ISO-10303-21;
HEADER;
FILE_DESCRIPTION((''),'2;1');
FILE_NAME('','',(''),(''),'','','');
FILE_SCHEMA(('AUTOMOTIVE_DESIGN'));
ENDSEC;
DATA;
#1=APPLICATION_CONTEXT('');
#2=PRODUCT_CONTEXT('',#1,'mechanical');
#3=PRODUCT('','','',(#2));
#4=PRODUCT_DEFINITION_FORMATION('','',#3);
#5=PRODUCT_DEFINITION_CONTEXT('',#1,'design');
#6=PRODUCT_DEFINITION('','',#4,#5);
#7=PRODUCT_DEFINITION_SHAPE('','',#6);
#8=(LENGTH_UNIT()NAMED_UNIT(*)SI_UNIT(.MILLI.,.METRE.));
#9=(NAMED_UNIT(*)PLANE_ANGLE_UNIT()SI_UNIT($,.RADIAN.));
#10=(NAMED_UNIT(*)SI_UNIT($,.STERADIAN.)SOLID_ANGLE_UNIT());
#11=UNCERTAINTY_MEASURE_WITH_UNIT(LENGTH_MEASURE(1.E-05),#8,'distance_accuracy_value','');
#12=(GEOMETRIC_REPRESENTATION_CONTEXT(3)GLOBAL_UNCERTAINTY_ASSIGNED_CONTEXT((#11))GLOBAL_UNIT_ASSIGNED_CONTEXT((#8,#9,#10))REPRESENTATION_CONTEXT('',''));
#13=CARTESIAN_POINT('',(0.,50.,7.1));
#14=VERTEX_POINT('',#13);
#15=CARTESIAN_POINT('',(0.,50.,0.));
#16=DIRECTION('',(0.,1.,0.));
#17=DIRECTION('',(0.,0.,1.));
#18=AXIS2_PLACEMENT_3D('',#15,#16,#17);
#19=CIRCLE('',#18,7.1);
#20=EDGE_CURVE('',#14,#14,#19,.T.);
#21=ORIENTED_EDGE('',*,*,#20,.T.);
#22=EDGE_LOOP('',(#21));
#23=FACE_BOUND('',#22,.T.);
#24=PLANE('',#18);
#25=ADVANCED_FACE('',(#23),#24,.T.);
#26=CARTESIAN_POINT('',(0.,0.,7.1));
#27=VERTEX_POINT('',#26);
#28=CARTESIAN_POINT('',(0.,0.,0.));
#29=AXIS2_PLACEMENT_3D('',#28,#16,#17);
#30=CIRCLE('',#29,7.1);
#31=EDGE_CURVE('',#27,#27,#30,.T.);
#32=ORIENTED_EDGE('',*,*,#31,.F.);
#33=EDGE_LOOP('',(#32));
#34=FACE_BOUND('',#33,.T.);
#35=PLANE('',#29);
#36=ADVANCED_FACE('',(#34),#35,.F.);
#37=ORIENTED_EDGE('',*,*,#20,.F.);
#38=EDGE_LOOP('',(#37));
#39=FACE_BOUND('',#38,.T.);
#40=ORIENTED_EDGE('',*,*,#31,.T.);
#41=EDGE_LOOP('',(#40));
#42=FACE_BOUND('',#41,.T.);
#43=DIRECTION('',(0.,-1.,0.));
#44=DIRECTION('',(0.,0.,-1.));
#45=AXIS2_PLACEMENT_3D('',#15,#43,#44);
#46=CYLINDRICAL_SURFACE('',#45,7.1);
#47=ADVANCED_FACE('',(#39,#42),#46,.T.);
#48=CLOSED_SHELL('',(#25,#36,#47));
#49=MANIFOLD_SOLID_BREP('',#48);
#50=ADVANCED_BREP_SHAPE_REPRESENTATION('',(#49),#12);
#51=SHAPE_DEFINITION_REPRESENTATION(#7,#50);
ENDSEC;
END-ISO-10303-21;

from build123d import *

# Parameters (mm, degrees)
ESQUISSE1_R        = 7.1
BOSS_EXTRU_1_DEPTH = 50


with BuildPart() as part:
    # Esquisse1 → Boss.-Extru.1 (new body)
    with BuildSketch(Plane(origin=(0, 0, 0), x_dir=(1, 0, 0), z_dir=(0, 1, 0))):
        with Locations(Location((0, 0, 0), (0, 0, 270))):
            Circle(ESQUISSE1_R)
    extrude(amount=BOSS_EXTRU_1_DEPTH)


solid = part.part
